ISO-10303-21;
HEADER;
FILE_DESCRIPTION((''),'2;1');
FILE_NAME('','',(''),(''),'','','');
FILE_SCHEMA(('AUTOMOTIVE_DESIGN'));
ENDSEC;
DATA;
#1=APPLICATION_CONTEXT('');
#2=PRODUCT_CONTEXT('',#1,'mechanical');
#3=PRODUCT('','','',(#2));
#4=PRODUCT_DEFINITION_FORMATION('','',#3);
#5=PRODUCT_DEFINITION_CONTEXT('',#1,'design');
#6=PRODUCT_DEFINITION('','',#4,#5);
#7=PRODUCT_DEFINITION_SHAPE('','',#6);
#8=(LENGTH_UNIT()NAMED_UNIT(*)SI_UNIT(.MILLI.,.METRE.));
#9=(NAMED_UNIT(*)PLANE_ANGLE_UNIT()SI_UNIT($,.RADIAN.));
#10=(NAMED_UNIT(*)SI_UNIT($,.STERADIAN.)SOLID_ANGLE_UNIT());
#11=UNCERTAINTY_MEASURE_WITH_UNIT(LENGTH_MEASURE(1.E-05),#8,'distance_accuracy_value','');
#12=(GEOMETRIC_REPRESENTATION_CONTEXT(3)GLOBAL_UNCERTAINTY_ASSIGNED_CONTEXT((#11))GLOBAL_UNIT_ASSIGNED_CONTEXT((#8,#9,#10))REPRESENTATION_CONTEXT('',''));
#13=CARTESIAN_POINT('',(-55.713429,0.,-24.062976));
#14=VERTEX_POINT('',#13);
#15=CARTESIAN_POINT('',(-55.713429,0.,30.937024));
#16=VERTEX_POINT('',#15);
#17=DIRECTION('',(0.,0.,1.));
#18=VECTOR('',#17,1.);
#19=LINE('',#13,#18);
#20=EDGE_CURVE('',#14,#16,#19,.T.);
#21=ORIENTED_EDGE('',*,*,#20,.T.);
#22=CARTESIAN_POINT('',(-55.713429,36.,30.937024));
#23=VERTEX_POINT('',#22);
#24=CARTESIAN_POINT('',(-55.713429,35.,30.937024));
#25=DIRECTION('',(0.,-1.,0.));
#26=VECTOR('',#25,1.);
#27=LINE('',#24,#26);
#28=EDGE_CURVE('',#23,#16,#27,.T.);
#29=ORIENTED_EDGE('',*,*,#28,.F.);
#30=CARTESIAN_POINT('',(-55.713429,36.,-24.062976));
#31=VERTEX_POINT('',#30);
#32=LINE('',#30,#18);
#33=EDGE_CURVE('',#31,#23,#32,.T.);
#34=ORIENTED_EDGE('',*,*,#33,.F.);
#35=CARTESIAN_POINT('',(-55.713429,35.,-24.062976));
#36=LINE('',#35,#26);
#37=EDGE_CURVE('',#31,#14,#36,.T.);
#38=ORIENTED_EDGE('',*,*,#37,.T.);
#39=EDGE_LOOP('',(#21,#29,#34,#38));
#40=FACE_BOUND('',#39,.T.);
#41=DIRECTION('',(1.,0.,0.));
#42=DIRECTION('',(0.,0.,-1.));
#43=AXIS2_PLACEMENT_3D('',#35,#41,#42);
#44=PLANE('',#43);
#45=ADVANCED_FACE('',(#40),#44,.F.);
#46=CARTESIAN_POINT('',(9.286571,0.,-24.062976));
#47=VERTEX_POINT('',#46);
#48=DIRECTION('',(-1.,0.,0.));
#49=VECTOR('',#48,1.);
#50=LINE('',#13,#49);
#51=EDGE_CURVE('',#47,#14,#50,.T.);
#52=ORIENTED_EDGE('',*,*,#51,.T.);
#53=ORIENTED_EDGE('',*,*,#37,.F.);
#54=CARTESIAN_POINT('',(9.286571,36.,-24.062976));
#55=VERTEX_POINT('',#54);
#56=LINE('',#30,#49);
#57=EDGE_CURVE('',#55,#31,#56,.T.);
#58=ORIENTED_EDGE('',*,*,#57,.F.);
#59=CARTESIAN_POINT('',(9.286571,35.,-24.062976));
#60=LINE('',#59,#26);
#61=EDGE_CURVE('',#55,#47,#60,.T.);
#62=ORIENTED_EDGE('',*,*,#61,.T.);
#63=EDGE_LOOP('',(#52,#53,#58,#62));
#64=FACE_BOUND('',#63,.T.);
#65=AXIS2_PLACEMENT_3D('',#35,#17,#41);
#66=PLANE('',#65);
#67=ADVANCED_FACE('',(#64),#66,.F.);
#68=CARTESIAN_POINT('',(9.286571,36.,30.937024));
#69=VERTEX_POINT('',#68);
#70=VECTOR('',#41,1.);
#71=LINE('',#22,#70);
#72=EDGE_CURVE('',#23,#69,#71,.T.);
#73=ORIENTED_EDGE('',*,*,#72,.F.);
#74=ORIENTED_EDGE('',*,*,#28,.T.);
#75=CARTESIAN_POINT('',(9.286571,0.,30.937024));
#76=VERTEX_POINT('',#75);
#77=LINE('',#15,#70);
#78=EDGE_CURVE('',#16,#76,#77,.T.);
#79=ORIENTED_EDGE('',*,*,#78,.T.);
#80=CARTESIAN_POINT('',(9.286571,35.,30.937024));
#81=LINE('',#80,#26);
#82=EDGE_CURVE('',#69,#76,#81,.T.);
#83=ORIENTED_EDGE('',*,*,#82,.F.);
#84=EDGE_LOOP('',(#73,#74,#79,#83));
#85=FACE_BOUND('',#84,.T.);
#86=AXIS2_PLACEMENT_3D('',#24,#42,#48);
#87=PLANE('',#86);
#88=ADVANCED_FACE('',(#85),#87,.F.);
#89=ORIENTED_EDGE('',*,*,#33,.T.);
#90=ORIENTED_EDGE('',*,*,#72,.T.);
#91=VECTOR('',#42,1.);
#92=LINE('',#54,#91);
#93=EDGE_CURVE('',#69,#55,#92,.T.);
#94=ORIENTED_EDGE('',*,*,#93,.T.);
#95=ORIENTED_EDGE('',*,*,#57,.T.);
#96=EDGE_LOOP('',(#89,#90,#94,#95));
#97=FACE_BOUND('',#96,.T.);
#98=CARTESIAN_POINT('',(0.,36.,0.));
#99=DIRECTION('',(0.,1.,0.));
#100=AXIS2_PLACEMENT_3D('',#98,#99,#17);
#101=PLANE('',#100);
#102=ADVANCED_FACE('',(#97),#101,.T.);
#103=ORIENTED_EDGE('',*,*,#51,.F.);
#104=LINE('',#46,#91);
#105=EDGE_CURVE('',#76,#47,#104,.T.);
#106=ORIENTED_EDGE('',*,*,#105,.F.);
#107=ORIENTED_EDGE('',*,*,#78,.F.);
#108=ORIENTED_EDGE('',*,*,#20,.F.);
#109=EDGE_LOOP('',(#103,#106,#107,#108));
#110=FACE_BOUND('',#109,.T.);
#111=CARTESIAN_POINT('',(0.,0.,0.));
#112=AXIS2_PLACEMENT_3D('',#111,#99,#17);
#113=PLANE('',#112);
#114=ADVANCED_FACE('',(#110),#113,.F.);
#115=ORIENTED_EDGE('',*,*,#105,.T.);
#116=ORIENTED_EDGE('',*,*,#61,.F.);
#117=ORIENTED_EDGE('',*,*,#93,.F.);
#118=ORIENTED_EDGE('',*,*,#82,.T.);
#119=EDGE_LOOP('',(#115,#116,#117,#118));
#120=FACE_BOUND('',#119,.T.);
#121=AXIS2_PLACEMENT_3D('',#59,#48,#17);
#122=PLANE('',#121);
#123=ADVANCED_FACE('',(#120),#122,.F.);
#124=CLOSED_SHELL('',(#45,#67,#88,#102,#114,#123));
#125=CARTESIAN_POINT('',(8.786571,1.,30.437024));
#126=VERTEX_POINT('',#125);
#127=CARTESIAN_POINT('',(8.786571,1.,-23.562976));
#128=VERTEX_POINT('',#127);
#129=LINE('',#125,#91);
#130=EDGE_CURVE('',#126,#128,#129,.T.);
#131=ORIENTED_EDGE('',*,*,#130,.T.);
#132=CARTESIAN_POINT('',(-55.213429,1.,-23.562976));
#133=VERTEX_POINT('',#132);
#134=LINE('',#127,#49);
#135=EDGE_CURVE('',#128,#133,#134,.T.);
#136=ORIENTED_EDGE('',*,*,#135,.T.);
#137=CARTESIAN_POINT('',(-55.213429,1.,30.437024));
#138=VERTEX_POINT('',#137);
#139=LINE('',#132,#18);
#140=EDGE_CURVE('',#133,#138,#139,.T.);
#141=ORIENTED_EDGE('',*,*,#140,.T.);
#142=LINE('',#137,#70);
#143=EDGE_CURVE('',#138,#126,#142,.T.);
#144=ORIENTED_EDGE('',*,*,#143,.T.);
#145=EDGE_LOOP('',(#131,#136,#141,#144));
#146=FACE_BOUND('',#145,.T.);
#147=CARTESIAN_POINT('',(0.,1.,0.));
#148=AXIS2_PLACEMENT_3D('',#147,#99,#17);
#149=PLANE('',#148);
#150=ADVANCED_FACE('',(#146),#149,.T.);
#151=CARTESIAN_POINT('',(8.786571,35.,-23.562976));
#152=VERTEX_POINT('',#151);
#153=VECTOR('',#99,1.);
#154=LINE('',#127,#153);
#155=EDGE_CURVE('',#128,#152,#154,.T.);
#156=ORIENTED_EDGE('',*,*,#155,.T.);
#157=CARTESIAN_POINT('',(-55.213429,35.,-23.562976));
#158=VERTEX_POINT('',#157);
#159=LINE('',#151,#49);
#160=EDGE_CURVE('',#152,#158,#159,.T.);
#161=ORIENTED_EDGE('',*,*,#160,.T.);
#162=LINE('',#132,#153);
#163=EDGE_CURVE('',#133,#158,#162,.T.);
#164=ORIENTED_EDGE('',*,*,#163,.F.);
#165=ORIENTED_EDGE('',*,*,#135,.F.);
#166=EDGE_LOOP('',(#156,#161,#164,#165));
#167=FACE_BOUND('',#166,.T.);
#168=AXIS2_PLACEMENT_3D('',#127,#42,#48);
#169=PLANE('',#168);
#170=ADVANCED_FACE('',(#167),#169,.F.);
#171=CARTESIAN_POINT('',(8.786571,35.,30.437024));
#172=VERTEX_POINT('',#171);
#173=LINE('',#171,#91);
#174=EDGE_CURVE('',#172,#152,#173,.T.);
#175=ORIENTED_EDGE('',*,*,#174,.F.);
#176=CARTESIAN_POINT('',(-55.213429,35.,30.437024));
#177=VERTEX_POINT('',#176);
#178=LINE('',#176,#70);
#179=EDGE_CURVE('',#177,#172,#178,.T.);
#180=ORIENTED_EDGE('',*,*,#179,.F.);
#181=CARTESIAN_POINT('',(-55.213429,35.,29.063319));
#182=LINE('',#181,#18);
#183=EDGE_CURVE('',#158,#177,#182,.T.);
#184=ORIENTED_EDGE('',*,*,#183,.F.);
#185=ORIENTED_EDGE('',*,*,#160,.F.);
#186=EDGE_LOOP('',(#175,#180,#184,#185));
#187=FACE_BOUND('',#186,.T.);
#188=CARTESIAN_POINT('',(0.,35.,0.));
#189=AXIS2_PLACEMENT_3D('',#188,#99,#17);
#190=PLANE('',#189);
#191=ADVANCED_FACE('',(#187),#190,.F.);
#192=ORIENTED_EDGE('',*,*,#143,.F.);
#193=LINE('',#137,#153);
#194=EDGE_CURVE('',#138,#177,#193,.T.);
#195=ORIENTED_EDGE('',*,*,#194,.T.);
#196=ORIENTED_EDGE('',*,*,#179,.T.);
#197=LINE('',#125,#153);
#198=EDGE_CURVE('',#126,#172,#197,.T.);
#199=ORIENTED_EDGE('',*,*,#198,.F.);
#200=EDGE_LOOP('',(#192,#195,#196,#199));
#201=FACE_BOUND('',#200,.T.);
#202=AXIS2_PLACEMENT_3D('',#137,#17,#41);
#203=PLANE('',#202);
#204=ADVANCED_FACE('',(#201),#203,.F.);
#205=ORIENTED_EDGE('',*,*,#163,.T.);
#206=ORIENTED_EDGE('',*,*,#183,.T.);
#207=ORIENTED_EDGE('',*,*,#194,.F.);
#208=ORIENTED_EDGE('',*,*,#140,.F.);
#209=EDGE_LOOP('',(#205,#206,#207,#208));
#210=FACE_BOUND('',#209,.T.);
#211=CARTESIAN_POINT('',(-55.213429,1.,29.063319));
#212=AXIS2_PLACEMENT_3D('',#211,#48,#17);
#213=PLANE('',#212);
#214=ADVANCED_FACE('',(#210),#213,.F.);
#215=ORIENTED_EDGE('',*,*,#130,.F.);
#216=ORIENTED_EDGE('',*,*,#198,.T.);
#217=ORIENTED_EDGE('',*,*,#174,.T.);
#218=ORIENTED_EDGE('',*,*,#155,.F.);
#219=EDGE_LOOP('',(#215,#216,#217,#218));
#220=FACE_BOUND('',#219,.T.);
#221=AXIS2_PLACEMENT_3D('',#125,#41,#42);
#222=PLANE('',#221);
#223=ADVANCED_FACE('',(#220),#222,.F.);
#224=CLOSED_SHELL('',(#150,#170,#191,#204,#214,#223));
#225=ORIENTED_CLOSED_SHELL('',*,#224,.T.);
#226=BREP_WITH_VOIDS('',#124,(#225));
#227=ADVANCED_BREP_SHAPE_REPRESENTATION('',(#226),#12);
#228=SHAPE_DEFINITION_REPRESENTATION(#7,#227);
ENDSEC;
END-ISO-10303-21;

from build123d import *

# Parameters (mm, degrees)
SKETCH_1_W          = 65
SKETCH_1_H          = 55
EXTRUDE_1_DEPTH     = 35
CUT_EXTRUDE_1_DEPTH = 34
SKETCH_3_W          = 65
SKETCH_3_H          = 55
EXTRUDE_2_DEPTH     = 1


with BuildPart() as part:
    # Эскиз1 → Бобышка-Вытянуть1 (new body)
    with BuildSketch(Plane(origin=(0, 0, 0), x_dir=(1, 0, 0), z_dir=(0, 1, 0))):
        with Locations((-23.213428901, -3.437024221)):
            Rectangle(SKETCH_1_W, SKETCH_1_H)
    extrude(amount=EXTRUDE_1_DEPTH)

    # Эскиз2 → Вырез-Вытянуть1 (cut)
    with BuildSketch(Plane(origin=(0, 35, 0), x_dir=(1, 0, 0), z_dir=(0, 1, 0))):
        Polygon((-55.213428901, 23.562975779), (-55.213428901, -29.063319013), (-55.213428901, -30.437024221), (8.786571099, -30.437024221), (8.786571099, 23.562975779), align=None)
    extrude(amount=-CUT_EXTRUDE_1_DEPTH, mode=Mode.SUBTRACT)

    # Эскиз3 → Бобышка-Вытянуть2 (add)
    with BuildSketch(Plane(origin=(0, 35, 0), x_dir=(1, 0, 0), z_dir=(0, 1, 0))):
        with Locations((-23.213428901, -3.437024221)):
            Rectangle(SKETCH_3_W, SKETCH_3_H)
    extrude(amount=EXTRUDE_2_DEPTH)


solid = part.part
